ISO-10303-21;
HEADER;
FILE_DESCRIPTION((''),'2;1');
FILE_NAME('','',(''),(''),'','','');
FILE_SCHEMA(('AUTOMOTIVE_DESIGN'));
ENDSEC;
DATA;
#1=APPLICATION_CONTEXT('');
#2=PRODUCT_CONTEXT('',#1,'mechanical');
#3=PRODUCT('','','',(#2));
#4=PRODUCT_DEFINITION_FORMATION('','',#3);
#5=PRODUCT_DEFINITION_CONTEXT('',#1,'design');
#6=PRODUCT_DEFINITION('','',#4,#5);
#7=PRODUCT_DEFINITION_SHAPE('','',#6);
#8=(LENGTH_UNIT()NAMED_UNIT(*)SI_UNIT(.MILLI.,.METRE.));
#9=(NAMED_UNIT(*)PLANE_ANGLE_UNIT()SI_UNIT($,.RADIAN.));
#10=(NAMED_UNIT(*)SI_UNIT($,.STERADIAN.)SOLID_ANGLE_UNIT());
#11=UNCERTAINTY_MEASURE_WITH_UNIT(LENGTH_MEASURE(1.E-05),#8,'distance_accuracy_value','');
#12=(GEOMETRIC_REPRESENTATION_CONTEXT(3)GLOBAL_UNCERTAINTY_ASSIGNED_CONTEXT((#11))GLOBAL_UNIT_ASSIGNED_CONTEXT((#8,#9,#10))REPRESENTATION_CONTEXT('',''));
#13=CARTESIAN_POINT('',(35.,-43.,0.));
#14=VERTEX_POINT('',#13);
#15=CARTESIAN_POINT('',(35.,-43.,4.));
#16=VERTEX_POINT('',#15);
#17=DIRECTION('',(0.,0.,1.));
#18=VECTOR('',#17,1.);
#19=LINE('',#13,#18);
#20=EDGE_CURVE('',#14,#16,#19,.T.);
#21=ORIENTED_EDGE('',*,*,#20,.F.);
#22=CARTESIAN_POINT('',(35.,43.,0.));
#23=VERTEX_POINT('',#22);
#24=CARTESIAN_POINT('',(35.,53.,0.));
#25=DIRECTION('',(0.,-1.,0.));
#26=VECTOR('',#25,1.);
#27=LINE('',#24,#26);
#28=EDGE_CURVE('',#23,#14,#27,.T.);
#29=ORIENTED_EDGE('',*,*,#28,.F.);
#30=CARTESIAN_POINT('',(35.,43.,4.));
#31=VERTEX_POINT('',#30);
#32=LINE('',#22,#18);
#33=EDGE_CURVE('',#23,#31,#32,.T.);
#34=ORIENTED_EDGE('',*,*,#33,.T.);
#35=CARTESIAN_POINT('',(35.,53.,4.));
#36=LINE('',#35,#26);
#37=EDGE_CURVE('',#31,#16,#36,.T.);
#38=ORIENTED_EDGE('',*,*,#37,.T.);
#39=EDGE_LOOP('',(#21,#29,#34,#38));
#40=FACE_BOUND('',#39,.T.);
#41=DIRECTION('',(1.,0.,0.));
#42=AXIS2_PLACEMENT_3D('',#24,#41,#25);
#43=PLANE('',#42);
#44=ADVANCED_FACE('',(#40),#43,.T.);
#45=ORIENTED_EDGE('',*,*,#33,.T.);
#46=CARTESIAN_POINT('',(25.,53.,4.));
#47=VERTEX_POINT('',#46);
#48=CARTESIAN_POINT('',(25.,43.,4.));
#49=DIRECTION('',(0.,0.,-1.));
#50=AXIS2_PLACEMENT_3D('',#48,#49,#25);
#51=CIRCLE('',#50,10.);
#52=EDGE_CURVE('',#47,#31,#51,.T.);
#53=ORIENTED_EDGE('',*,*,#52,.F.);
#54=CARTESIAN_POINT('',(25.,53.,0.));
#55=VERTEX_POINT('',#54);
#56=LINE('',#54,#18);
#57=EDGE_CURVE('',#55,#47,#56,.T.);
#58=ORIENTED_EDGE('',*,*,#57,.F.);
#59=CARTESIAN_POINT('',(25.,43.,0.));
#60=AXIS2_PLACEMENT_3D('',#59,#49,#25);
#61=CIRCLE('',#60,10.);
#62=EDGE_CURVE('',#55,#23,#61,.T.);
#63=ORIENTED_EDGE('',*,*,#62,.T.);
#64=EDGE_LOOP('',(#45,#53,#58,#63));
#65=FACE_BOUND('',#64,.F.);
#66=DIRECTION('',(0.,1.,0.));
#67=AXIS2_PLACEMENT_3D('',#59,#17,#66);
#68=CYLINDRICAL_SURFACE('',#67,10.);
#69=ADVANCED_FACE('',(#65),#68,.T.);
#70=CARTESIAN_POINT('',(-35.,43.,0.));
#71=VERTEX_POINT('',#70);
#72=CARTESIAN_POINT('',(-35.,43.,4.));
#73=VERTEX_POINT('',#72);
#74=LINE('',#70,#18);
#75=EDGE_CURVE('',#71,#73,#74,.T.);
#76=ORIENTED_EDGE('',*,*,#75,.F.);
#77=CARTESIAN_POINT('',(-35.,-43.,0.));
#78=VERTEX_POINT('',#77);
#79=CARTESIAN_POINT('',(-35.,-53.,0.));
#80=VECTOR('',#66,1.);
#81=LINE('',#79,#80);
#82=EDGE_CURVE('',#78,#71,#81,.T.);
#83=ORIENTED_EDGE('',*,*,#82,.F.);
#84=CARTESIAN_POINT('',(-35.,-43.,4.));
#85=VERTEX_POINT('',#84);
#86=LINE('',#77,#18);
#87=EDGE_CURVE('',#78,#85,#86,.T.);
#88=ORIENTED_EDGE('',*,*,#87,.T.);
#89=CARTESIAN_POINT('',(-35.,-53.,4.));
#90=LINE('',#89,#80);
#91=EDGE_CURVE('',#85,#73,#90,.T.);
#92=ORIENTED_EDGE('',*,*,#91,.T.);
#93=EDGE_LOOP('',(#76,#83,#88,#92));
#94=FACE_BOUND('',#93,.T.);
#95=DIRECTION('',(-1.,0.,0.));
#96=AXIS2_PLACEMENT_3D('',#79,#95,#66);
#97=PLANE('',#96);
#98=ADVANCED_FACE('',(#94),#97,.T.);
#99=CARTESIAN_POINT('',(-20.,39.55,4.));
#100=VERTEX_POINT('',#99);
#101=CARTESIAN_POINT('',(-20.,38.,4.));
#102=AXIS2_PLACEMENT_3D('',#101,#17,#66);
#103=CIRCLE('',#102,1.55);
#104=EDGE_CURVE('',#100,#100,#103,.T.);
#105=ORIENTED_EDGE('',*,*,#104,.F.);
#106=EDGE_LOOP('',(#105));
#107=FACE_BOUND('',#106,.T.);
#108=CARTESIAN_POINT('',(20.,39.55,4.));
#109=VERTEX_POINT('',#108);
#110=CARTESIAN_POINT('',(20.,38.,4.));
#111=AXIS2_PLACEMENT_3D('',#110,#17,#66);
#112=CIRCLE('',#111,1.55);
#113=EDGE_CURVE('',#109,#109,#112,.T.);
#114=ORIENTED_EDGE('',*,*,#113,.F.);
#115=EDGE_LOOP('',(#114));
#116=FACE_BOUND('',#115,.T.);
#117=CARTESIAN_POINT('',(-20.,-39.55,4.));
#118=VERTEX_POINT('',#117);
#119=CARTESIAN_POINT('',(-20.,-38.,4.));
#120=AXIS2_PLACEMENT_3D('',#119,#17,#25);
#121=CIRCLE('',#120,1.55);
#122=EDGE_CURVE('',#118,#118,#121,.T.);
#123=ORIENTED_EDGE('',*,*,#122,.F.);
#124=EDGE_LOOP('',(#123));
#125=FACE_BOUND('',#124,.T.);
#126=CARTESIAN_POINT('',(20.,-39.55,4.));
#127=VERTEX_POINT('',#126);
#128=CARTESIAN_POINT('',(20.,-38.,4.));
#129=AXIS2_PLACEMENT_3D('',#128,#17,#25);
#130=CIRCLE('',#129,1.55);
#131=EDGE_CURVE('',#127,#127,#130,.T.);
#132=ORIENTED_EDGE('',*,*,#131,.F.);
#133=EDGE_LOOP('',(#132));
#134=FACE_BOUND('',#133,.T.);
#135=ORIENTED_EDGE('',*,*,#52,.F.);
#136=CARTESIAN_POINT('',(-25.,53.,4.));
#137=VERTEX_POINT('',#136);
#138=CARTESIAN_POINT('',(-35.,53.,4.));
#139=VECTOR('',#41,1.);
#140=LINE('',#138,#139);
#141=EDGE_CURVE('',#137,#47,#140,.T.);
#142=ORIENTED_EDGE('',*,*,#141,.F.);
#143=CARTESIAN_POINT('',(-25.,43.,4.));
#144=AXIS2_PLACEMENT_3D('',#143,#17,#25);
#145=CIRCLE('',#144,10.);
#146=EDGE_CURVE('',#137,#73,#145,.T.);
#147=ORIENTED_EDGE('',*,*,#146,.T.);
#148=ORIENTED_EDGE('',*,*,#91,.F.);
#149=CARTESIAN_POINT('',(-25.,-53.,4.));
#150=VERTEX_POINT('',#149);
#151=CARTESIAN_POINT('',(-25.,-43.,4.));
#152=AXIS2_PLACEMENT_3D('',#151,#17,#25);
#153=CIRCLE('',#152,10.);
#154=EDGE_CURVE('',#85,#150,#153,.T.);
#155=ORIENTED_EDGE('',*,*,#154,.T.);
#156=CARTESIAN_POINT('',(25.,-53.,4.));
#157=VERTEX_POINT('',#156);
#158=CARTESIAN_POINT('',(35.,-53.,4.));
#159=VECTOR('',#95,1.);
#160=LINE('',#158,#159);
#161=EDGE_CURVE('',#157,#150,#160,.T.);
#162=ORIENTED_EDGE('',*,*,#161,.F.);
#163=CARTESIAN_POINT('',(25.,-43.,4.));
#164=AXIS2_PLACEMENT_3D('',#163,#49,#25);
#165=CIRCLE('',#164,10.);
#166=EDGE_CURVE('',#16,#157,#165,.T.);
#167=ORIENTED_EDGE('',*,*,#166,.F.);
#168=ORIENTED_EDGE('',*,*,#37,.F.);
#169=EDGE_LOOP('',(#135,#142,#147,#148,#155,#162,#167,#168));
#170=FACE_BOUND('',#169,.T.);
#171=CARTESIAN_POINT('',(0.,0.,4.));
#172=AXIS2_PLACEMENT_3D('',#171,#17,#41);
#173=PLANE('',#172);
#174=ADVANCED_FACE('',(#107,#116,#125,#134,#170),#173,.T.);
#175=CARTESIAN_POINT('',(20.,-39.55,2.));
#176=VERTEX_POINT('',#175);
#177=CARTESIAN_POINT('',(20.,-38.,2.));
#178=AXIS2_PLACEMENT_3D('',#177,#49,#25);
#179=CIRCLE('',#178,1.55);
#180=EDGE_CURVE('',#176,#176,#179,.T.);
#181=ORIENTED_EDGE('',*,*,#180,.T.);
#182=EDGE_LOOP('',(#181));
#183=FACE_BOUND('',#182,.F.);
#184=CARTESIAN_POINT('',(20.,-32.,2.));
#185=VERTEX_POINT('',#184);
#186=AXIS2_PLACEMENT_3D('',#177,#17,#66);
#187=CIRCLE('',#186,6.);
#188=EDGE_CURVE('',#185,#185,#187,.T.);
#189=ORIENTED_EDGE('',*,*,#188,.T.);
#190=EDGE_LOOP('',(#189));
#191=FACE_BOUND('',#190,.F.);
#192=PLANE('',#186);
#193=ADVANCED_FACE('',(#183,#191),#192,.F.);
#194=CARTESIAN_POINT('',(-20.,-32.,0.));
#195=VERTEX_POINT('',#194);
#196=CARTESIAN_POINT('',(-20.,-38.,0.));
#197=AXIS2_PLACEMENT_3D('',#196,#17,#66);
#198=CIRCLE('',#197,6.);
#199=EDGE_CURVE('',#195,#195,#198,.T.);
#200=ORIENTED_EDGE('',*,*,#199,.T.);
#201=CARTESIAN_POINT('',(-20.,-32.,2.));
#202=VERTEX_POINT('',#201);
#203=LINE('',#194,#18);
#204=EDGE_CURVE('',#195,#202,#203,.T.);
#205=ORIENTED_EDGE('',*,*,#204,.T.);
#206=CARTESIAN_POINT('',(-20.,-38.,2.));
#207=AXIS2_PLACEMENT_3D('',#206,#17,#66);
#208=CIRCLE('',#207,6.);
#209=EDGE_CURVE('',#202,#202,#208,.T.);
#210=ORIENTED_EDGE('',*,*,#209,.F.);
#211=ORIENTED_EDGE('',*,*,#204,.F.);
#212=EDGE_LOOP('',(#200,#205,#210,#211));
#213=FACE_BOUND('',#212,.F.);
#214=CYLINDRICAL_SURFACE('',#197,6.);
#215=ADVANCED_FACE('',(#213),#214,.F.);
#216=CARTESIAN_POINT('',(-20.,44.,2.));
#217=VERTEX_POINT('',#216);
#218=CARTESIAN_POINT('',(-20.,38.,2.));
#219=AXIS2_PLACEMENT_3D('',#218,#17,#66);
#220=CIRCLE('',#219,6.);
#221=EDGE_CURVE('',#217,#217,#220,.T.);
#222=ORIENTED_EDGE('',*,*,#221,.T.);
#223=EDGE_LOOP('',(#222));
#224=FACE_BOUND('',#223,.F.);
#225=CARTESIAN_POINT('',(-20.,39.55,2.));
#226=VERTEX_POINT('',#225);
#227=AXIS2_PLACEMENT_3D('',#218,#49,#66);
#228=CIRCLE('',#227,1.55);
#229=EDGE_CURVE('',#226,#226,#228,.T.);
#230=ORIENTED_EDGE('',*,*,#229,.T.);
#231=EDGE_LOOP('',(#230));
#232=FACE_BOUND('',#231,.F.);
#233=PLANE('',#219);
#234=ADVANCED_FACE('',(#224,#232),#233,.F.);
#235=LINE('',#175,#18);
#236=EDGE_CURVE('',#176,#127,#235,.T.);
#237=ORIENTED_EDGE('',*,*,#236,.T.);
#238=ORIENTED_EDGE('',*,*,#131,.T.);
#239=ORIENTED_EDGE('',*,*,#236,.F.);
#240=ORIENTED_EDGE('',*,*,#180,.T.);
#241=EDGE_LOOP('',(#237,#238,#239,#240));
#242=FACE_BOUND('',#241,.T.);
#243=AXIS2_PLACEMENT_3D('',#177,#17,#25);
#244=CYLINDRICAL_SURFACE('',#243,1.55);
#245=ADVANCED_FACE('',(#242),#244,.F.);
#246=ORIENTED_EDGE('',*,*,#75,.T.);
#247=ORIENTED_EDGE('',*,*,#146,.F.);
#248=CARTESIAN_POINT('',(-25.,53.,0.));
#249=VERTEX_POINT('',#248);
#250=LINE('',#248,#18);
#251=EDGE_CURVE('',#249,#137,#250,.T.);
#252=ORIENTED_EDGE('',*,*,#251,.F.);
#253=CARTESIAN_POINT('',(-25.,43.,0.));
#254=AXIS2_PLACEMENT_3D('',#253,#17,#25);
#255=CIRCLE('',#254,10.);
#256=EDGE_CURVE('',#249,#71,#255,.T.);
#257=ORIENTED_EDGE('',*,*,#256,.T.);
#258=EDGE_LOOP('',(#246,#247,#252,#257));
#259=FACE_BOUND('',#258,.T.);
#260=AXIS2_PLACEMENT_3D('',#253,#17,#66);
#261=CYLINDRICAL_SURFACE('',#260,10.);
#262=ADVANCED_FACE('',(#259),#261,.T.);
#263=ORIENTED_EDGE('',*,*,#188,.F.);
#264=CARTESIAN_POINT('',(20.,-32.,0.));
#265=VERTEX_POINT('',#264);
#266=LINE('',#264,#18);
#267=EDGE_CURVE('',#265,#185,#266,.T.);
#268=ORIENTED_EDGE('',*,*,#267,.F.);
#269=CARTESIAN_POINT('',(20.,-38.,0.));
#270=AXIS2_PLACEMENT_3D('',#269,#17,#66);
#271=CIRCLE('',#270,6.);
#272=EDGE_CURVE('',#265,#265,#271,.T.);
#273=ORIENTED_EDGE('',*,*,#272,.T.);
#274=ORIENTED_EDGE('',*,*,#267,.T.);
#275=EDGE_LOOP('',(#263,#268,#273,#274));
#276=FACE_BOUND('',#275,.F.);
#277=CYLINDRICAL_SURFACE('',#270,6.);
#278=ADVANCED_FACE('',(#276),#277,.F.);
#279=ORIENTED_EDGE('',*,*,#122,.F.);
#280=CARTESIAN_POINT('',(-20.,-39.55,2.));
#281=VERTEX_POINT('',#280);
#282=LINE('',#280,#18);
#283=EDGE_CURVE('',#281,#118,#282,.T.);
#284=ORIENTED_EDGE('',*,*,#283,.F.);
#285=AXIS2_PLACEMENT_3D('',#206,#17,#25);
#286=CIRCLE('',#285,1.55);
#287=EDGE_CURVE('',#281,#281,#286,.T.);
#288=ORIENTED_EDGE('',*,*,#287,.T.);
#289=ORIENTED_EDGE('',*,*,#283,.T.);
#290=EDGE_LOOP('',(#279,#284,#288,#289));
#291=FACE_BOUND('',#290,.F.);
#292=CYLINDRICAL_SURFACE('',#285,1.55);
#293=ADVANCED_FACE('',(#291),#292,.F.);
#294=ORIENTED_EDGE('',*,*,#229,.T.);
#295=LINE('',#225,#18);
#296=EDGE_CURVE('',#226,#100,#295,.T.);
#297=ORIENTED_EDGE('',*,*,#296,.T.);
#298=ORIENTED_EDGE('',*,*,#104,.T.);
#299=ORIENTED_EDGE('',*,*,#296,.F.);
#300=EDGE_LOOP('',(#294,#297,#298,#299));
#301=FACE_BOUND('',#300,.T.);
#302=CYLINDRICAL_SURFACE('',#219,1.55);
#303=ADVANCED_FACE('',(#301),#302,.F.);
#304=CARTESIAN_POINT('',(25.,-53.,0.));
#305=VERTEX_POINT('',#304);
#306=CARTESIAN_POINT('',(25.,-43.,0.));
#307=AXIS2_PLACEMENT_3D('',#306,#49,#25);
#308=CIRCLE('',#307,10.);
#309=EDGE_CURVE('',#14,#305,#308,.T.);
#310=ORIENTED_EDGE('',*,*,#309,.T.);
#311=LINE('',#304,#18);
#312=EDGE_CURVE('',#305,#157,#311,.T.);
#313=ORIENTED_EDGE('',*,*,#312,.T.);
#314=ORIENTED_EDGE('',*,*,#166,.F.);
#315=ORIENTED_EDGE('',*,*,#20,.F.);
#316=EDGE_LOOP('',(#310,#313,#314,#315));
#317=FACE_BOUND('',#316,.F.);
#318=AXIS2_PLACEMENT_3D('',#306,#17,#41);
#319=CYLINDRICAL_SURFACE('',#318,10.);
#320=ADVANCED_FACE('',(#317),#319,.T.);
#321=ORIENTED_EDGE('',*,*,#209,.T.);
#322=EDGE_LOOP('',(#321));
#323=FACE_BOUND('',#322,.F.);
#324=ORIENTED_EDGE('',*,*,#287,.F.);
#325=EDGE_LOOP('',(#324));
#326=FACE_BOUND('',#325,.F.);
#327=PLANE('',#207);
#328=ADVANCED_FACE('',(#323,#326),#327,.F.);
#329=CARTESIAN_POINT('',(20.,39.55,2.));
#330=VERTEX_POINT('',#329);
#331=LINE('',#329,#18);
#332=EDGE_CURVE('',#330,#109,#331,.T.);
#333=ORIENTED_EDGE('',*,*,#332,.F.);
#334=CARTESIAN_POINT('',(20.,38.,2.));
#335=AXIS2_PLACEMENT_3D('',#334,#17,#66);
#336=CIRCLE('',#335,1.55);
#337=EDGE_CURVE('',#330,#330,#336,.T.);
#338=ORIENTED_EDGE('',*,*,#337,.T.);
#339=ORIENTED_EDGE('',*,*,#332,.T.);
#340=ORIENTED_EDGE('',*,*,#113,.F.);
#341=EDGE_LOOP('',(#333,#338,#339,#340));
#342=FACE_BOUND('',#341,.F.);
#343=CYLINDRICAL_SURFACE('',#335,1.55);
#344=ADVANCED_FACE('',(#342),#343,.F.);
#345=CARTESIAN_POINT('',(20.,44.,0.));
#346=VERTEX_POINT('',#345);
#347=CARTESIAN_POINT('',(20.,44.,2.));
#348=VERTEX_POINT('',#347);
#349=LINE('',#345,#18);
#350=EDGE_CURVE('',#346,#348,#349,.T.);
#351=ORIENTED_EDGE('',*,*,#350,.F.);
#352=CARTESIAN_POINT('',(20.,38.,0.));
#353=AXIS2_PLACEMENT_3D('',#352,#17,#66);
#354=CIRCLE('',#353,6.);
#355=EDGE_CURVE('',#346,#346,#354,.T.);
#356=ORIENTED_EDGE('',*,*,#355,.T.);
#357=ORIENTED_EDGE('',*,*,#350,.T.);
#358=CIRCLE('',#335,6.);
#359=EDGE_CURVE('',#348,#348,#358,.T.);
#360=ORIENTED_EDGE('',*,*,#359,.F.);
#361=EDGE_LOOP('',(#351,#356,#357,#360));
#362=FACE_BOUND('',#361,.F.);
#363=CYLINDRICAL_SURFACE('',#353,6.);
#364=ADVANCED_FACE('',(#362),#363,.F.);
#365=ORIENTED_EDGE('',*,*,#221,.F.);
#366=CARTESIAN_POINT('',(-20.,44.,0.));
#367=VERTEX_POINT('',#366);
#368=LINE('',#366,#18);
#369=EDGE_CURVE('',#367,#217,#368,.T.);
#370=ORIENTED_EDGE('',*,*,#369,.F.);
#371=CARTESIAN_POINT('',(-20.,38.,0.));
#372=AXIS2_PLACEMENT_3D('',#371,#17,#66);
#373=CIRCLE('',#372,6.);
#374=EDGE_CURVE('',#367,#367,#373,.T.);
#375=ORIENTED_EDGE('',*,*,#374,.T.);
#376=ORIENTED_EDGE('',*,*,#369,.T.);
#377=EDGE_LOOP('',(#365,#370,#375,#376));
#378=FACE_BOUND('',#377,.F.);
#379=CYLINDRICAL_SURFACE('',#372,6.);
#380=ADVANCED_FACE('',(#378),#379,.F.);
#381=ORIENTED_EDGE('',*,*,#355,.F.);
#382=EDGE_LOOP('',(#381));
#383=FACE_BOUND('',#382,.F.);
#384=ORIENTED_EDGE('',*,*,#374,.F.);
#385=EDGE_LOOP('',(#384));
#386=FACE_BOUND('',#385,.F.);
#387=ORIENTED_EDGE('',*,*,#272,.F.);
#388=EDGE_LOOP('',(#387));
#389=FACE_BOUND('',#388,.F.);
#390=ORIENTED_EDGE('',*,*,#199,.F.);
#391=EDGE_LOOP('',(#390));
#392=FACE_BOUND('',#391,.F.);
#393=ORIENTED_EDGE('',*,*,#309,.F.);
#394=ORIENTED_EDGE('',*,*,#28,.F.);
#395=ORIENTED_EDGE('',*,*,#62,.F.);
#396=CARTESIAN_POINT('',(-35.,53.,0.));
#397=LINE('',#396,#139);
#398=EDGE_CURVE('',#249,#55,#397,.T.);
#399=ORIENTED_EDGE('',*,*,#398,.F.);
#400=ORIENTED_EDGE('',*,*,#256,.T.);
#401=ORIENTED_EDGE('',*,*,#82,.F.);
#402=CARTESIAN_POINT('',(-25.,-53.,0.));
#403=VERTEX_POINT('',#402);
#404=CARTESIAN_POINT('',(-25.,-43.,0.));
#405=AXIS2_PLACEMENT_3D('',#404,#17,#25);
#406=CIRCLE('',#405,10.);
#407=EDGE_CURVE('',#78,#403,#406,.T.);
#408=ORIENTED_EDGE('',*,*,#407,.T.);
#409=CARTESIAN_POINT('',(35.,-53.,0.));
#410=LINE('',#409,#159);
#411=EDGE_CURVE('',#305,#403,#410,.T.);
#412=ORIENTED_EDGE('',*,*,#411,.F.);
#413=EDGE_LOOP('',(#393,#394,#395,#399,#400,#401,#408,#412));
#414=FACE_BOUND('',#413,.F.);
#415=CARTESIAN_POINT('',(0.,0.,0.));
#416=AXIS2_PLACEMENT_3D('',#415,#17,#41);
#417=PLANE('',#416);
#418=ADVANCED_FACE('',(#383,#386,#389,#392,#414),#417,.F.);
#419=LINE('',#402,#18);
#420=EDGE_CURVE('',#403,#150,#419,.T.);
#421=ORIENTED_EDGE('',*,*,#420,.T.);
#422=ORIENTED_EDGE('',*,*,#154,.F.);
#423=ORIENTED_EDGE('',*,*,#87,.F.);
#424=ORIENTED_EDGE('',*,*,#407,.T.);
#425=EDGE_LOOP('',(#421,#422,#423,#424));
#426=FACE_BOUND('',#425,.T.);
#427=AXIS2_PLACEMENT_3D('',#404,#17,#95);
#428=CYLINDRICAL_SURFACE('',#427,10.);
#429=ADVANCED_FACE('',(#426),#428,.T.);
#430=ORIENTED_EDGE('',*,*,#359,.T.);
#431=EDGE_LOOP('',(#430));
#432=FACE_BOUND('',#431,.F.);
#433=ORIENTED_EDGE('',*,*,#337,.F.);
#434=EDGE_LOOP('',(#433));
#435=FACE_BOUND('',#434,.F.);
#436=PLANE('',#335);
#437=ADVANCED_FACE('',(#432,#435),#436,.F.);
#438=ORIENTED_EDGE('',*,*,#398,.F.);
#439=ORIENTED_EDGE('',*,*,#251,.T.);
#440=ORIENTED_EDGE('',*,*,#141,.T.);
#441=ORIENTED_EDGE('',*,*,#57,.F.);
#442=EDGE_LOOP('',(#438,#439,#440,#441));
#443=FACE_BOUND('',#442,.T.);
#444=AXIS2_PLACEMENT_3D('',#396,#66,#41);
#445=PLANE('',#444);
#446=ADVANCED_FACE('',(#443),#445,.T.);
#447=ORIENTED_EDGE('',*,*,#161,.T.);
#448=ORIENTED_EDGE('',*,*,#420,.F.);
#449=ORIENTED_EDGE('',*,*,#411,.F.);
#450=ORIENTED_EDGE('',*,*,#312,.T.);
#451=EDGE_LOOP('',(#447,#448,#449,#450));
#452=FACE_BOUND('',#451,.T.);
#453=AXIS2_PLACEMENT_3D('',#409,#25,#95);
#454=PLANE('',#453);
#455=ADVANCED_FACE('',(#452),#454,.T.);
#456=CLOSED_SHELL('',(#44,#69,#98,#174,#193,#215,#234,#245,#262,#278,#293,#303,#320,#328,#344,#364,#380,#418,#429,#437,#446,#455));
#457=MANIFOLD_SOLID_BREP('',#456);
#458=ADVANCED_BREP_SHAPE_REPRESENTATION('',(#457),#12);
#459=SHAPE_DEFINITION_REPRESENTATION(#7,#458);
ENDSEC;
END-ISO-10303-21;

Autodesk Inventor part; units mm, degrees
ref_plane "YZ Plane" through (0, 0, 0) normal (1, 0, 0) x (0, 1, 0)
ref_plane "XZ Plane" through (0, 0, 0) normal (0, 1, 0) x (-1, 0, 0)
ref_plane "XY Plane" through (0, 0, 0) normal (0, 0, 1) x (1, 0, 0)
sketch "Sketch1" plane through (0, 0, 0) normal (0, 0, 1) x (1, 0, 0)
  line L0 (0, 53.2) -> (0, -53.2) projected
  line L1 (-28, 0) -> (28, 0) projected
  point P0 (0, 0)
  point P1 (20, 38)
  point P2 (-20, 38)
  point P3 (-20, -38)
  point P4 (20, -38)
  dimension "d0" = 76
  dimension "d2" = 40
sketch "Sketch2" plane through (0, 0, 0) normal (0, 0, 1) x (1, 0, 0)
  line L0 (-35, 53) -> (35, 53)
  line L1 (35, 53) -> (35, -53)
  line L2 (35, -53) -> (-35, -53)
  line L3 (-35, -53) -> (-35, 53)
  point P0 (0, 0)
  point P1 (-20, 38)
  point P2 (20, 38)
  point P3 (20, -38)
  point P4 (-20, -38)
  dimension "d3" = 15
  dimension "d4" = 15
  dimension "d5" = 15
  dimension "d6" = 15
extrude "Extrusion1" add sketch "Sketch2" along normal blind 4
hole "Hole1" at (20, 38, 0) at (-20, 38, 0) at (-20, -38, 0) at (20, -38, 0) direction (0, 0, 1) diameter 12 depth 2
hole "Hole2" at (20, 38, 2) direction (0, 0, 1) diameter 3.1 end through all
mirror "Mirror1" about plane through (0, 0, 0) normal (0, 1, 0) of "Hole2"
mirror "Mirror2" about plane through (0, 0, 0) normal (1, 0, 0) of "Hole2", "Mirror1"
fillet "Fillet1" radius 10 4 edges at (35, -53, 2) (-35, -53, 2) (35, 53, 2) (-35, 53, 2)
equation "\"d4\" = d3"
equation "\"d5\" = d3"
equation "\"d6\" = d3"
properties part number "support"
